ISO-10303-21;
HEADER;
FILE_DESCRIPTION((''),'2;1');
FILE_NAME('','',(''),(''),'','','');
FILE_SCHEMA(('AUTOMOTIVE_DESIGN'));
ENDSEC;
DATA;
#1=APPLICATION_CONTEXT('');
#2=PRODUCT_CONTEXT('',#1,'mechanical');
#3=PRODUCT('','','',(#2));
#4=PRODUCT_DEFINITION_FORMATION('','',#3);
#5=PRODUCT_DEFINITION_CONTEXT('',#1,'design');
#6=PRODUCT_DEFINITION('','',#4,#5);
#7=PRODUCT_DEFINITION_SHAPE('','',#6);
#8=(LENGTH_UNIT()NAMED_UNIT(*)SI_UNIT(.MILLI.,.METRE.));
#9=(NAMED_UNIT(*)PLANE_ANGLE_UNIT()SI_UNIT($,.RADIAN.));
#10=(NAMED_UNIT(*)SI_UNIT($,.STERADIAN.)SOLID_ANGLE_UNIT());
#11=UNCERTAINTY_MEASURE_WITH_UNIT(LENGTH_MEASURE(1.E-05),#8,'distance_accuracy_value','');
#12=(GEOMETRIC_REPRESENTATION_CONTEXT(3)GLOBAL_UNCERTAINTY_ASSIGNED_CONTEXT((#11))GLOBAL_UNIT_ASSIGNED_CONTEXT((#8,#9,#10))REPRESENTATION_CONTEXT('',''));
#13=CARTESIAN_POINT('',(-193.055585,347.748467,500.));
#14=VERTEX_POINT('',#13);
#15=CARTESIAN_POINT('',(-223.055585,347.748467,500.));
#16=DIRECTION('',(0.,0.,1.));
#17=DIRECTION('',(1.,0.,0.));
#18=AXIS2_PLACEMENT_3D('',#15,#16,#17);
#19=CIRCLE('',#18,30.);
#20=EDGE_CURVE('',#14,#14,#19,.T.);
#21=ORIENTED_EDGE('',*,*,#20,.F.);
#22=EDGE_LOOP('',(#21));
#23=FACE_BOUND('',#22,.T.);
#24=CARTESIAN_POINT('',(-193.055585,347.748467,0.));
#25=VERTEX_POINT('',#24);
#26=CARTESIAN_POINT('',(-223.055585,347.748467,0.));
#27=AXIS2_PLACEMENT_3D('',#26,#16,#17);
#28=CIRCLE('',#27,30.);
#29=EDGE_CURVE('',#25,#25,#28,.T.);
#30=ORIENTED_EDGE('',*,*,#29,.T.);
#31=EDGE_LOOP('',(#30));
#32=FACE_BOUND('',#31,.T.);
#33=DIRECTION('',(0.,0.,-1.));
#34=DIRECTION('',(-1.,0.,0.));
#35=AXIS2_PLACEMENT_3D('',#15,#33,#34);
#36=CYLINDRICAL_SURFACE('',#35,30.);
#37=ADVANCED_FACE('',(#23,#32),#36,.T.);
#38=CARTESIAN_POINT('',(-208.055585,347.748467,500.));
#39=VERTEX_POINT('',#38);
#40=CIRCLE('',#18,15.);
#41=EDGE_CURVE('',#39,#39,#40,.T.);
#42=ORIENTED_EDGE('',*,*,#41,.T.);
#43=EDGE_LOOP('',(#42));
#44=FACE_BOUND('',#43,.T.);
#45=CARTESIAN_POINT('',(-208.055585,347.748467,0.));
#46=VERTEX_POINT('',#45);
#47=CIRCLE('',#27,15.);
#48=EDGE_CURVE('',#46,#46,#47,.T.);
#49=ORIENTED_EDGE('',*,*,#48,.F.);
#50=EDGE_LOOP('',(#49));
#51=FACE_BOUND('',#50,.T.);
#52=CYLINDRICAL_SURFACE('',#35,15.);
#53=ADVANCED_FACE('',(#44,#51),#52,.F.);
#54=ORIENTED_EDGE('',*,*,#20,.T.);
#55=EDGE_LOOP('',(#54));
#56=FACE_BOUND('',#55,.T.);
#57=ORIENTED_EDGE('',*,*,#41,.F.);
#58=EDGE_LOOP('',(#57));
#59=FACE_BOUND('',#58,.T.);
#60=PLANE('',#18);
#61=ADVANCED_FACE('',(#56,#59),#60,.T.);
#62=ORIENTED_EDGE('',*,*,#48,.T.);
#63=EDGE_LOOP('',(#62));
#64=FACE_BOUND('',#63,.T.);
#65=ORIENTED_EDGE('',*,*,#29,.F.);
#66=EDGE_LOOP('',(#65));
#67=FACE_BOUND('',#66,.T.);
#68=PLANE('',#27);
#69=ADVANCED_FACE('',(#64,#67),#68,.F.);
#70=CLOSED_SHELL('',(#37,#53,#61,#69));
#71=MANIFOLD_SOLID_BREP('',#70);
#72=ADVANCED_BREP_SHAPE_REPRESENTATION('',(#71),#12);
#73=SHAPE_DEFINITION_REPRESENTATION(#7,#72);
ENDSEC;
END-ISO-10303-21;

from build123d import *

# Parameters (mm, degrees)
SKETCH_2_R      = 30
SKETCH_2_R_2    = 15
EXTRUDE_1_DEPTH = 500


with BuildPart() as part:
    # 草图2 → 凸台-拉伸1 (new body)
    with BuildSketch(Plane.XY):
        with Locations((-223.055584672, 347.74846745)):
            Circle(SKETCH_2_R)
        with Locations((-223.055584672, 347.74846745)):
            Circle(SKETCH_2_R_2, mode=Mode.SUBTRACT)
    extrude(amount=EXTRUDE_1_DEPTH)


solid = part.part
